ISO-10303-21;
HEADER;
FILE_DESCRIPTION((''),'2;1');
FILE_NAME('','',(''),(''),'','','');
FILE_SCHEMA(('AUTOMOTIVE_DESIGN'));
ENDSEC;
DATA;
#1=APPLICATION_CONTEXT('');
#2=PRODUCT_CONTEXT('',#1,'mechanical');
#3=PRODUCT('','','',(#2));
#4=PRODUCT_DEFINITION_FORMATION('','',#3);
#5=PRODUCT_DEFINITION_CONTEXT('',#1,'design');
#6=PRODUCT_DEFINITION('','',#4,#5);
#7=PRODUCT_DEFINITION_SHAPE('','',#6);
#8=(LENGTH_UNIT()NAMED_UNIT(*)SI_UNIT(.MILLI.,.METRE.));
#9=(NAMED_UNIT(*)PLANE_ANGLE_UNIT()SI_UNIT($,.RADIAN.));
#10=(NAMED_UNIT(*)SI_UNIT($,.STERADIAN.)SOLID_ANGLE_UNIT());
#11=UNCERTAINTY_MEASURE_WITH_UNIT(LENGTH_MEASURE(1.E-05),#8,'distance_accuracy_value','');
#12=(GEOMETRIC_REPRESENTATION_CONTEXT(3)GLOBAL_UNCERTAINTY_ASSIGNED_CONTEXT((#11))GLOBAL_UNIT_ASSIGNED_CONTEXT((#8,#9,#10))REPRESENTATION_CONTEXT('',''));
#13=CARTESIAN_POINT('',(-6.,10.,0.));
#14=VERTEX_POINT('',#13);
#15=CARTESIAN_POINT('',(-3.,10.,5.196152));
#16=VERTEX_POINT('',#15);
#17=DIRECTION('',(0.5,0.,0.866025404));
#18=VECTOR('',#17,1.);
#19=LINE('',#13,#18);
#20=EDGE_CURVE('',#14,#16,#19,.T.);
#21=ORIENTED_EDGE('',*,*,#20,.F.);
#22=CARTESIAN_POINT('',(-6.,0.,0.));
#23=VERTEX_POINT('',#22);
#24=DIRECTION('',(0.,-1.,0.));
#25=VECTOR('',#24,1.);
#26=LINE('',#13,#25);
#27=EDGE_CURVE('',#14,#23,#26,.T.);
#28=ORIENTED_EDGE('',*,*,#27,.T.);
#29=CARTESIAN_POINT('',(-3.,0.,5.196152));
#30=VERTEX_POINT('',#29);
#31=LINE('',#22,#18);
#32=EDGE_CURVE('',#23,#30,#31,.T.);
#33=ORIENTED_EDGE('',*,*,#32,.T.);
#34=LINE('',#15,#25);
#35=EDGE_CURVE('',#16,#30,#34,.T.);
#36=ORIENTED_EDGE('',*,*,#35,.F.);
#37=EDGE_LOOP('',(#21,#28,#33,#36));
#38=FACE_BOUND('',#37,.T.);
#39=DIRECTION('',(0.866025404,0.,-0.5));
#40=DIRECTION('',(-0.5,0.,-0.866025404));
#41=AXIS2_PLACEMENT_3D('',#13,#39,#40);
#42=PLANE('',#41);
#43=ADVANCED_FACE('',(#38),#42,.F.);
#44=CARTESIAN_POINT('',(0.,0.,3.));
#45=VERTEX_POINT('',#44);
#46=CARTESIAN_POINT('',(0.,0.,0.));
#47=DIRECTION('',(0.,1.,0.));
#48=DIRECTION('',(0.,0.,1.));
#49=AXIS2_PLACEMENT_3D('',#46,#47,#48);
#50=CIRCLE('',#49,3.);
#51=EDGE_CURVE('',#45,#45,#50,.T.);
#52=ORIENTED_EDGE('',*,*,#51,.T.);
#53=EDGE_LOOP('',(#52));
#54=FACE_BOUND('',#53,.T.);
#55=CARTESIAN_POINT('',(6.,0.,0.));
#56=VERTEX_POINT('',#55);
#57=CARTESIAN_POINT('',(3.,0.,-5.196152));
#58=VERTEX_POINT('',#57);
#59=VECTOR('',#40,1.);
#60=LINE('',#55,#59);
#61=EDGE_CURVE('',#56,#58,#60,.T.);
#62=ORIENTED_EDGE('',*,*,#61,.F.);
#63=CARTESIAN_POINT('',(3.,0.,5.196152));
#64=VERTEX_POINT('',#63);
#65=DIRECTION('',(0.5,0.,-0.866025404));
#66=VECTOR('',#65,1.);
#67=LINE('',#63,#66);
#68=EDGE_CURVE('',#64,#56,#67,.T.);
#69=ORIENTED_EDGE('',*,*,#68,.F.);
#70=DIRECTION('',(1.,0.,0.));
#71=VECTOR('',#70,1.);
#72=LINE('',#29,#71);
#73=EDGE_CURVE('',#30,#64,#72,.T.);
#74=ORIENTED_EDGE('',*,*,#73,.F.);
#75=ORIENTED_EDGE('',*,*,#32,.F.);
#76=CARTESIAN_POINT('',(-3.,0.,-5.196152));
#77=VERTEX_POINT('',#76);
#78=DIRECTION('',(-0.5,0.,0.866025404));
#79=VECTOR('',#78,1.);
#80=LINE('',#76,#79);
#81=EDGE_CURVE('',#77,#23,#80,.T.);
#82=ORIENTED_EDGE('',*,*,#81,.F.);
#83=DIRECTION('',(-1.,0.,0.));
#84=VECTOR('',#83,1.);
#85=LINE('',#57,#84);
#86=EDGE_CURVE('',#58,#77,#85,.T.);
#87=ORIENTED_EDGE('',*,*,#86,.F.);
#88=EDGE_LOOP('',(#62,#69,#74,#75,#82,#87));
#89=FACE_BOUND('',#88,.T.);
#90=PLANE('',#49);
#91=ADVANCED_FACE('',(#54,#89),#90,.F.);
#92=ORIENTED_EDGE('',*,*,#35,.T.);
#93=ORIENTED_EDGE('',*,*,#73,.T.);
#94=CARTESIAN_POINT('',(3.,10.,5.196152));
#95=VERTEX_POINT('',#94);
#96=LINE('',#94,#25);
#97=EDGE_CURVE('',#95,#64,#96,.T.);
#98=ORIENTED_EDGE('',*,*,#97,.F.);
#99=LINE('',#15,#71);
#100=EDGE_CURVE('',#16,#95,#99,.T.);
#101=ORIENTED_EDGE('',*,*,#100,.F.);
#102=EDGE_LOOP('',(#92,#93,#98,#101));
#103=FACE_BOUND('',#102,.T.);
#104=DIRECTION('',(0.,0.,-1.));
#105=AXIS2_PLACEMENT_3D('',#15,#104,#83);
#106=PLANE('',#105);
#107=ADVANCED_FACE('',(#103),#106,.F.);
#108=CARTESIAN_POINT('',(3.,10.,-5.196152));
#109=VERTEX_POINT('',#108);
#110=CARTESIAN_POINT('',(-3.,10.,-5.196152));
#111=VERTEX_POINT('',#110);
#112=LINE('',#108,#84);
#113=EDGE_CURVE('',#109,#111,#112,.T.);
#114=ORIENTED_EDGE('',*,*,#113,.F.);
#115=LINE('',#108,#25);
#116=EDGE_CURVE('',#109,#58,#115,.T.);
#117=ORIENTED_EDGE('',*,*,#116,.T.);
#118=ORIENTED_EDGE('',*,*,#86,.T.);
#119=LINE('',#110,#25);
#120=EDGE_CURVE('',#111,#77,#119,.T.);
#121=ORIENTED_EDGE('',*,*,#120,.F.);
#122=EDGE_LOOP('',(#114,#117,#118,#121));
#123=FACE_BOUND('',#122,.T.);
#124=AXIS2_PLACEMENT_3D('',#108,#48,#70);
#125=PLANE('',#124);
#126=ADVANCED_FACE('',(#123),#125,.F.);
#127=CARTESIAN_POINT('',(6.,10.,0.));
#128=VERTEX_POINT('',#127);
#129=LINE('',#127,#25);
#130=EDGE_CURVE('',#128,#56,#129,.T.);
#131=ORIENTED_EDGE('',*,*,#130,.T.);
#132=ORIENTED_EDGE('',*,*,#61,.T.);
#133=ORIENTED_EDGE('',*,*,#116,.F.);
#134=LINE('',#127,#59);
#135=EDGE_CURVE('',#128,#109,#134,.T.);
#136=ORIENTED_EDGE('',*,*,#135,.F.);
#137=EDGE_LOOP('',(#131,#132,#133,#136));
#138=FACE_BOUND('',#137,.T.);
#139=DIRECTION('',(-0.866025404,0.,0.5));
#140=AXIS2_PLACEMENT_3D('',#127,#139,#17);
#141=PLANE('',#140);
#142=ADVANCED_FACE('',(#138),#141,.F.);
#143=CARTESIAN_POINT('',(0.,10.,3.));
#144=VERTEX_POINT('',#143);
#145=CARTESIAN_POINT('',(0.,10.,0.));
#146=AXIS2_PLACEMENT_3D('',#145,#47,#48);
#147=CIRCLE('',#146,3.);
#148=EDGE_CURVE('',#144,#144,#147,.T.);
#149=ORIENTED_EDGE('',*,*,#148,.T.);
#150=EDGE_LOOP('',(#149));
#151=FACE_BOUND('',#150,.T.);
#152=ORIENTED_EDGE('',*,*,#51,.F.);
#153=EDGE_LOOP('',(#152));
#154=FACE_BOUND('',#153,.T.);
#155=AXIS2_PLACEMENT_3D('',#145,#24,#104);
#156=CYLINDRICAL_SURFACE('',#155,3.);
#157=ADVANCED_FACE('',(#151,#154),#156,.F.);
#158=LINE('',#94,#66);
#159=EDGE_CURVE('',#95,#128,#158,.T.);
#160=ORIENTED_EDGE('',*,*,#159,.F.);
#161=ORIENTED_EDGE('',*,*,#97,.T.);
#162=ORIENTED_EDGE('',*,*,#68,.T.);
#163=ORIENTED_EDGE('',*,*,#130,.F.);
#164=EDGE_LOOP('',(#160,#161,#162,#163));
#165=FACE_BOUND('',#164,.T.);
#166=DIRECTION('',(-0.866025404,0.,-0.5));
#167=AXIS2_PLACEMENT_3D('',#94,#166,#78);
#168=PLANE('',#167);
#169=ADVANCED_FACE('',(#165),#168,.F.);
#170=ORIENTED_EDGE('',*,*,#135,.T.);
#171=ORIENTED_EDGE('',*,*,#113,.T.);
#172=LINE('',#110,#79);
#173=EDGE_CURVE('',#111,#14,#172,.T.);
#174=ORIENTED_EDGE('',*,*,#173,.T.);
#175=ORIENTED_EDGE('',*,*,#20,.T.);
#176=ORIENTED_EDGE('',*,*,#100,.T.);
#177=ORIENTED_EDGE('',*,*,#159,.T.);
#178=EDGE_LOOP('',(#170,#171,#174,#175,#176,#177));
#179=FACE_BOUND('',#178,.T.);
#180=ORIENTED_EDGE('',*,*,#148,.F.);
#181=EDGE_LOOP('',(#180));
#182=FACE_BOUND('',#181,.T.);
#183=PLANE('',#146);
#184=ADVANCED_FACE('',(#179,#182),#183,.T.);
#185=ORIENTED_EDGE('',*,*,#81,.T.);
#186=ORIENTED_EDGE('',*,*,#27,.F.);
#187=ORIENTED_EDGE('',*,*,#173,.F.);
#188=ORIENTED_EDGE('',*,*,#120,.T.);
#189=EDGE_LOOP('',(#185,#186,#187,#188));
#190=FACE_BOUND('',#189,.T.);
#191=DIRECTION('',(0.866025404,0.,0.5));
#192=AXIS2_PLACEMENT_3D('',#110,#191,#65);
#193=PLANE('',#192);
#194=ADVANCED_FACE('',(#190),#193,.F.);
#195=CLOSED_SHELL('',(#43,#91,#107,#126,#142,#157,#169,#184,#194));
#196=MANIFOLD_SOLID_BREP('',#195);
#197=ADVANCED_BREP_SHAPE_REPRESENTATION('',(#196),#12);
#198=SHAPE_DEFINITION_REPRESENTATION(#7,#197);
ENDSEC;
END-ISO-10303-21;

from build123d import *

# Parameters (mm, degrees)
SKETCH_1_R      = 3
EXTRUDE_1_DEPTH = 10


with BuildPart() as part:
    # 草图1 → 凸台-拉伸1 (new body)
    with BuildSketch(Plane(origin=(0, 0, 0), x_dir=(1, 0, 0), z_dir=(0, 1, 0))):
        Polygon((-6, 0), (-3, -5.196152423), (3, -5.196152423), (6, 0), (3, 5.196152423), (-3, 5.196152423), align=None)
        with Locations(Location((0, 0, 0), (0, 0, 270))):
            Circle(SKETCH_1_R, mode=Mode.SUBTRACT)
    extrude(amount=EXTRUDE_1_DEPTH)


solid = part.part
